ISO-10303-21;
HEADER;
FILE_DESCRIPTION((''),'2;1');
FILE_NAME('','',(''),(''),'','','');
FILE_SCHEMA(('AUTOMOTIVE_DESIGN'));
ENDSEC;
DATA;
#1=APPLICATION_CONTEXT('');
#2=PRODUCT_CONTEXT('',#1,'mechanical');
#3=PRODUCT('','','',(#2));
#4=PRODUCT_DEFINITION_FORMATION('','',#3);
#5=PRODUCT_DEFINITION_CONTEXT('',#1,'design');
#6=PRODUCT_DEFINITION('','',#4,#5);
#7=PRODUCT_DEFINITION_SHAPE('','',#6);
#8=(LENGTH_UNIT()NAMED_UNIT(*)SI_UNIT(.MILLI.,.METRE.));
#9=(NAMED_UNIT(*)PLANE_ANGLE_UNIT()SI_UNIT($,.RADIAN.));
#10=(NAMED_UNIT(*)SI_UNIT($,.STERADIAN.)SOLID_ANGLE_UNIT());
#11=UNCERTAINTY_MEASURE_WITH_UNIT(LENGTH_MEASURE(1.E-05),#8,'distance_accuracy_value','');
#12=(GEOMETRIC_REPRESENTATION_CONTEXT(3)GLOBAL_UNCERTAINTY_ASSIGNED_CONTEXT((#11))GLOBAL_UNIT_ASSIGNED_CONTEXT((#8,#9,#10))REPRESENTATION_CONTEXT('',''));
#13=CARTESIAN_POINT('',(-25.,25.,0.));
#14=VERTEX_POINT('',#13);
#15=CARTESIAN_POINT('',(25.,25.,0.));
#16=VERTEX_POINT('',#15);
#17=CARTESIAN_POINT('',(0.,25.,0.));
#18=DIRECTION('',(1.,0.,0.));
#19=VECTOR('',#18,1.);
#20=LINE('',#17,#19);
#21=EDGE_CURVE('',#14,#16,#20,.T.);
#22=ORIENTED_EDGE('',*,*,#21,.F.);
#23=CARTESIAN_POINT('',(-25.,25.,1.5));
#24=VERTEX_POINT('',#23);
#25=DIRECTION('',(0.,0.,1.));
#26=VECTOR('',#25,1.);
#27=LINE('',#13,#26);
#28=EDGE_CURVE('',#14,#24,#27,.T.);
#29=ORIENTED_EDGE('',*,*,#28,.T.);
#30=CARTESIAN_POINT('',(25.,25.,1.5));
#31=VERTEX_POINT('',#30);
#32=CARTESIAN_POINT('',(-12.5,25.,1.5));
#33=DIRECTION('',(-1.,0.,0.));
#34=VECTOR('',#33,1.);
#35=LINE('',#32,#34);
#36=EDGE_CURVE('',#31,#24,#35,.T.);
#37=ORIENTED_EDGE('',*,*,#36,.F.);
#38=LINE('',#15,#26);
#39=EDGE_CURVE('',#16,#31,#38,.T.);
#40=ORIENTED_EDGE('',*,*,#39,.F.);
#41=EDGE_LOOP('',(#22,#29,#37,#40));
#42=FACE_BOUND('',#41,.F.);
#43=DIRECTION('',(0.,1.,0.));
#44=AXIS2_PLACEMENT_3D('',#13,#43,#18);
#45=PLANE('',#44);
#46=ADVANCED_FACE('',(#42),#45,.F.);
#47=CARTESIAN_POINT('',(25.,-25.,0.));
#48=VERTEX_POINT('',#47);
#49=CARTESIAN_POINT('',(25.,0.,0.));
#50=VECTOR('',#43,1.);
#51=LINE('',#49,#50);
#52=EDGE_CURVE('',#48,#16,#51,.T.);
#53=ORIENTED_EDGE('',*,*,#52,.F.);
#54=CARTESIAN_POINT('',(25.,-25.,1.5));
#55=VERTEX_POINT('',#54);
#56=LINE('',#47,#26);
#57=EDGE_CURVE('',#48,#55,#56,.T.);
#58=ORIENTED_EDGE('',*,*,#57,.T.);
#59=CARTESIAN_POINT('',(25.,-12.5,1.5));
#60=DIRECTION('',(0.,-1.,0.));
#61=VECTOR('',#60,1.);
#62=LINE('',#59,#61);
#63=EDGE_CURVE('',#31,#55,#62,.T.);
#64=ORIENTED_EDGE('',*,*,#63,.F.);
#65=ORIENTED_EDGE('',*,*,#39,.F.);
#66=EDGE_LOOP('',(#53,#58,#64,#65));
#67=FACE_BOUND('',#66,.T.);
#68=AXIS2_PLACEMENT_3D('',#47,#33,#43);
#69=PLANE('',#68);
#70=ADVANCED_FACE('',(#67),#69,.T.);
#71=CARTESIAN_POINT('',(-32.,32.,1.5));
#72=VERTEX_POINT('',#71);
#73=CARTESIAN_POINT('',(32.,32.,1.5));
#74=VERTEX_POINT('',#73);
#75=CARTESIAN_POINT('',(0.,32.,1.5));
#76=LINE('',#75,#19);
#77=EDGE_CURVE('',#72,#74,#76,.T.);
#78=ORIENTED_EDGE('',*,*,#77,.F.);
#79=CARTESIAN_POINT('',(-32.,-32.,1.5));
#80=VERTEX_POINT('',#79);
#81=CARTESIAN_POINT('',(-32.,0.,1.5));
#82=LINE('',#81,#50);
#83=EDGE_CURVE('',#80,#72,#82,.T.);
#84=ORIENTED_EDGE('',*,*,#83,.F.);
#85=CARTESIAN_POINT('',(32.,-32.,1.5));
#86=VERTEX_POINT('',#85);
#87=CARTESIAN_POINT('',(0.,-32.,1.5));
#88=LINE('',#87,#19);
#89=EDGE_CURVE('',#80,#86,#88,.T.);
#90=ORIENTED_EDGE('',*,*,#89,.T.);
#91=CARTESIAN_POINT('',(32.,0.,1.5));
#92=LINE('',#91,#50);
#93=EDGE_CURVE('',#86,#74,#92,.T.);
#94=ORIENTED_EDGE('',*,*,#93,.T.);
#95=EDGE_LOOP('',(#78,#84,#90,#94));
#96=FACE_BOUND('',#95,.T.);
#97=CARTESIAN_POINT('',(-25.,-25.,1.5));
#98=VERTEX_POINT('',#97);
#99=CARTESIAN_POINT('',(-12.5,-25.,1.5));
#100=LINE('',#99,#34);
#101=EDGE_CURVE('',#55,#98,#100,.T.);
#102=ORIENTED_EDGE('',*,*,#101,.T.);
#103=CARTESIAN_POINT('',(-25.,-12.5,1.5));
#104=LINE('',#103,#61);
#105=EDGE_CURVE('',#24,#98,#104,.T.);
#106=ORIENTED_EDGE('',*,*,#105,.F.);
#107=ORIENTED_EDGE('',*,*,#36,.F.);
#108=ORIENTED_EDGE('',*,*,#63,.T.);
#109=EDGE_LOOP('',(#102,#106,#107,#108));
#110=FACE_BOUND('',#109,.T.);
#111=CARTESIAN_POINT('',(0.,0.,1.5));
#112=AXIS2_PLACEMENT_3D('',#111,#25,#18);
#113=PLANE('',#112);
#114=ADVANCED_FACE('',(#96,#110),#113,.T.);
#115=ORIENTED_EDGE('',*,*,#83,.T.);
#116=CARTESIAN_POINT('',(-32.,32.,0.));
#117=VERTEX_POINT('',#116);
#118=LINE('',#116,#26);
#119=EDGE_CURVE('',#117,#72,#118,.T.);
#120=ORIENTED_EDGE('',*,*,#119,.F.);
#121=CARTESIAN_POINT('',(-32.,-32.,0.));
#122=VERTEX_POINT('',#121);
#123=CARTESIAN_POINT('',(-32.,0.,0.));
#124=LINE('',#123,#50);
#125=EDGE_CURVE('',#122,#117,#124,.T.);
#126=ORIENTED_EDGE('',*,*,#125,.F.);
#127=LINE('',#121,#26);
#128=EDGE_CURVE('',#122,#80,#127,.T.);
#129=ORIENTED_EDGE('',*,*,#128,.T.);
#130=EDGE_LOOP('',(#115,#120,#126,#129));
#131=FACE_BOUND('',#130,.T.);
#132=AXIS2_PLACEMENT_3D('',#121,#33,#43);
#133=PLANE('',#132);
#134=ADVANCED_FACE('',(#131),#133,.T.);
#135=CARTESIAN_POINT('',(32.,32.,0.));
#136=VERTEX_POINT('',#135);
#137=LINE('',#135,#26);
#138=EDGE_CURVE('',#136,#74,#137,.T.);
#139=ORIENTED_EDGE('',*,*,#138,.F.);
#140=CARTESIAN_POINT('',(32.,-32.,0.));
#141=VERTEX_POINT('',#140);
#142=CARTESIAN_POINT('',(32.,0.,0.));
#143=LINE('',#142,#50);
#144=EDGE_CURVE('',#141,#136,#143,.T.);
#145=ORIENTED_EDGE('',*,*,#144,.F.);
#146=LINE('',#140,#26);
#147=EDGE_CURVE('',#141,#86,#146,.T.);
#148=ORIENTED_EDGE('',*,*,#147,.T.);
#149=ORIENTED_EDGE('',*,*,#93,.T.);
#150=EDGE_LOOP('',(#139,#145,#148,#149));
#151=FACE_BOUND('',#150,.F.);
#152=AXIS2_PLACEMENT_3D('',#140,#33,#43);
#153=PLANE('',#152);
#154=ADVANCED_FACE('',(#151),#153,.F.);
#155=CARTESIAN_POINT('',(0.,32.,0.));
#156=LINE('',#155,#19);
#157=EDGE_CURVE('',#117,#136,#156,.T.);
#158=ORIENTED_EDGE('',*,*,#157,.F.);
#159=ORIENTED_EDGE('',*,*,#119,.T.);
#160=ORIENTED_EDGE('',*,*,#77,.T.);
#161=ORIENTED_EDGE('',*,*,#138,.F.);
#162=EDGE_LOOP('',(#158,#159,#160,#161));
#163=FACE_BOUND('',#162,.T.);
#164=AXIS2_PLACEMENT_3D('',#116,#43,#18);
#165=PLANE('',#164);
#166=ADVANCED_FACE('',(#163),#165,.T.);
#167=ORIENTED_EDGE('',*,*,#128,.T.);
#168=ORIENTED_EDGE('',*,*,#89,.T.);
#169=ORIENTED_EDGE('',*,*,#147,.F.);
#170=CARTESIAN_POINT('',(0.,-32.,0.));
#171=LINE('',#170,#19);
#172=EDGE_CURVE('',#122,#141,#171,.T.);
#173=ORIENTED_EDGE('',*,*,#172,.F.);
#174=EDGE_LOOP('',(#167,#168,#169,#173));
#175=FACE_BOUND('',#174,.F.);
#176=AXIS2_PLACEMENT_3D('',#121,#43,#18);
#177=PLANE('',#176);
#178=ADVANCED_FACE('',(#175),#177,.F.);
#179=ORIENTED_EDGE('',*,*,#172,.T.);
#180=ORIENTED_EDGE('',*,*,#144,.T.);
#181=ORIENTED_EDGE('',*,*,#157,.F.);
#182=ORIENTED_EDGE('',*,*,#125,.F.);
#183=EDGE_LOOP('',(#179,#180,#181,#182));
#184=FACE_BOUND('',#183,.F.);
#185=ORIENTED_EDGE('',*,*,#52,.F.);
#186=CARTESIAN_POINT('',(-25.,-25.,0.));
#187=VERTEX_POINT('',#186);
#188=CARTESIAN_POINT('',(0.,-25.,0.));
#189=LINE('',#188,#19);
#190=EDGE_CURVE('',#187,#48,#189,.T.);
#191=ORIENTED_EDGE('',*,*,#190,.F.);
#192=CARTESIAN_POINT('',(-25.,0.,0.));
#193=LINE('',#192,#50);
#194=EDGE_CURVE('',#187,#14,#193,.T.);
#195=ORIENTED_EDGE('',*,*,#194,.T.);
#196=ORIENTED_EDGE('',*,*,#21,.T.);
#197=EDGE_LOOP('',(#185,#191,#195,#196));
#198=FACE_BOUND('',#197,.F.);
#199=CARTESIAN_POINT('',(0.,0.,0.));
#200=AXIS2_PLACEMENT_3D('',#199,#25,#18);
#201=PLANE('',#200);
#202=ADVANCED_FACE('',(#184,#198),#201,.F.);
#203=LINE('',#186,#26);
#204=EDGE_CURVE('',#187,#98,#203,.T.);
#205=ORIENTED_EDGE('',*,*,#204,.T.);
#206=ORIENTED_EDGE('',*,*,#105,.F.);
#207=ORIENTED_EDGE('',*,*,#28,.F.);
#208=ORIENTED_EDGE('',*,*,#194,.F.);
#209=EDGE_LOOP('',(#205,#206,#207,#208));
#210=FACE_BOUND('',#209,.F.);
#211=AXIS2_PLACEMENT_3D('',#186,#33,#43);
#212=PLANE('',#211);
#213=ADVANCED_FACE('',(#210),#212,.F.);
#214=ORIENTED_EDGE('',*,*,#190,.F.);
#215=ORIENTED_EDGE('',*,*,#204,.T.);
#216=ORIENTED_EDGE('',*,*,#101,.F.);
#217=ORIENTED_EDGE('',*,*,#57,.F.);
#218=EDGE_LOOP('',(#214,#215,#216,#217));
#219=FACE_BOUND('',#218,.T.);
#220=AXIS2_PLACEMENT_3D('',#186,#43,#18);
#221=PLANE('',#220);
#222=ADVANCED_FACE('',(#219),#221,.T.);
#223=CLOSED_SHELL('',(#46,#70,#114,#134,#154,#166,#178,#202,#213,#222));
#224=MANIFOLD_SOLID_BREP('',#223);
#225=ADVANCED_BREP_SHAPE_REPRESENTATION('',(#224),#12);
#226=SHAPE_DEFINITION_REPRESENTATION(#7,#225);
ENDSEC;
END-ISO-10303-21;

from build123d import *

# Parameters (mm, degrees)
F0_W     = 64
F0_H     = 64
F1_DEPTH = 1.5
F2_W     = 50
F2_H     = 50
F3_DEPTH = 1.501


with BuildPart() as f1:
    # F0 (on Top) → F1 (new body)
    with BuildSketch(Plane.XY):
        Rectangle(F0_W, F0_H)
    extrude(amount=F1_DEPTH)

    # F2 (on Top) → F3 (cut, through all)
    with BuildSketch(Plane.XY):
        Rectangle(F2_W, F2_H)
    extrude(amount=F3_DEPTH, mode=Mode.SUBTRACT)


solid = f1.part
